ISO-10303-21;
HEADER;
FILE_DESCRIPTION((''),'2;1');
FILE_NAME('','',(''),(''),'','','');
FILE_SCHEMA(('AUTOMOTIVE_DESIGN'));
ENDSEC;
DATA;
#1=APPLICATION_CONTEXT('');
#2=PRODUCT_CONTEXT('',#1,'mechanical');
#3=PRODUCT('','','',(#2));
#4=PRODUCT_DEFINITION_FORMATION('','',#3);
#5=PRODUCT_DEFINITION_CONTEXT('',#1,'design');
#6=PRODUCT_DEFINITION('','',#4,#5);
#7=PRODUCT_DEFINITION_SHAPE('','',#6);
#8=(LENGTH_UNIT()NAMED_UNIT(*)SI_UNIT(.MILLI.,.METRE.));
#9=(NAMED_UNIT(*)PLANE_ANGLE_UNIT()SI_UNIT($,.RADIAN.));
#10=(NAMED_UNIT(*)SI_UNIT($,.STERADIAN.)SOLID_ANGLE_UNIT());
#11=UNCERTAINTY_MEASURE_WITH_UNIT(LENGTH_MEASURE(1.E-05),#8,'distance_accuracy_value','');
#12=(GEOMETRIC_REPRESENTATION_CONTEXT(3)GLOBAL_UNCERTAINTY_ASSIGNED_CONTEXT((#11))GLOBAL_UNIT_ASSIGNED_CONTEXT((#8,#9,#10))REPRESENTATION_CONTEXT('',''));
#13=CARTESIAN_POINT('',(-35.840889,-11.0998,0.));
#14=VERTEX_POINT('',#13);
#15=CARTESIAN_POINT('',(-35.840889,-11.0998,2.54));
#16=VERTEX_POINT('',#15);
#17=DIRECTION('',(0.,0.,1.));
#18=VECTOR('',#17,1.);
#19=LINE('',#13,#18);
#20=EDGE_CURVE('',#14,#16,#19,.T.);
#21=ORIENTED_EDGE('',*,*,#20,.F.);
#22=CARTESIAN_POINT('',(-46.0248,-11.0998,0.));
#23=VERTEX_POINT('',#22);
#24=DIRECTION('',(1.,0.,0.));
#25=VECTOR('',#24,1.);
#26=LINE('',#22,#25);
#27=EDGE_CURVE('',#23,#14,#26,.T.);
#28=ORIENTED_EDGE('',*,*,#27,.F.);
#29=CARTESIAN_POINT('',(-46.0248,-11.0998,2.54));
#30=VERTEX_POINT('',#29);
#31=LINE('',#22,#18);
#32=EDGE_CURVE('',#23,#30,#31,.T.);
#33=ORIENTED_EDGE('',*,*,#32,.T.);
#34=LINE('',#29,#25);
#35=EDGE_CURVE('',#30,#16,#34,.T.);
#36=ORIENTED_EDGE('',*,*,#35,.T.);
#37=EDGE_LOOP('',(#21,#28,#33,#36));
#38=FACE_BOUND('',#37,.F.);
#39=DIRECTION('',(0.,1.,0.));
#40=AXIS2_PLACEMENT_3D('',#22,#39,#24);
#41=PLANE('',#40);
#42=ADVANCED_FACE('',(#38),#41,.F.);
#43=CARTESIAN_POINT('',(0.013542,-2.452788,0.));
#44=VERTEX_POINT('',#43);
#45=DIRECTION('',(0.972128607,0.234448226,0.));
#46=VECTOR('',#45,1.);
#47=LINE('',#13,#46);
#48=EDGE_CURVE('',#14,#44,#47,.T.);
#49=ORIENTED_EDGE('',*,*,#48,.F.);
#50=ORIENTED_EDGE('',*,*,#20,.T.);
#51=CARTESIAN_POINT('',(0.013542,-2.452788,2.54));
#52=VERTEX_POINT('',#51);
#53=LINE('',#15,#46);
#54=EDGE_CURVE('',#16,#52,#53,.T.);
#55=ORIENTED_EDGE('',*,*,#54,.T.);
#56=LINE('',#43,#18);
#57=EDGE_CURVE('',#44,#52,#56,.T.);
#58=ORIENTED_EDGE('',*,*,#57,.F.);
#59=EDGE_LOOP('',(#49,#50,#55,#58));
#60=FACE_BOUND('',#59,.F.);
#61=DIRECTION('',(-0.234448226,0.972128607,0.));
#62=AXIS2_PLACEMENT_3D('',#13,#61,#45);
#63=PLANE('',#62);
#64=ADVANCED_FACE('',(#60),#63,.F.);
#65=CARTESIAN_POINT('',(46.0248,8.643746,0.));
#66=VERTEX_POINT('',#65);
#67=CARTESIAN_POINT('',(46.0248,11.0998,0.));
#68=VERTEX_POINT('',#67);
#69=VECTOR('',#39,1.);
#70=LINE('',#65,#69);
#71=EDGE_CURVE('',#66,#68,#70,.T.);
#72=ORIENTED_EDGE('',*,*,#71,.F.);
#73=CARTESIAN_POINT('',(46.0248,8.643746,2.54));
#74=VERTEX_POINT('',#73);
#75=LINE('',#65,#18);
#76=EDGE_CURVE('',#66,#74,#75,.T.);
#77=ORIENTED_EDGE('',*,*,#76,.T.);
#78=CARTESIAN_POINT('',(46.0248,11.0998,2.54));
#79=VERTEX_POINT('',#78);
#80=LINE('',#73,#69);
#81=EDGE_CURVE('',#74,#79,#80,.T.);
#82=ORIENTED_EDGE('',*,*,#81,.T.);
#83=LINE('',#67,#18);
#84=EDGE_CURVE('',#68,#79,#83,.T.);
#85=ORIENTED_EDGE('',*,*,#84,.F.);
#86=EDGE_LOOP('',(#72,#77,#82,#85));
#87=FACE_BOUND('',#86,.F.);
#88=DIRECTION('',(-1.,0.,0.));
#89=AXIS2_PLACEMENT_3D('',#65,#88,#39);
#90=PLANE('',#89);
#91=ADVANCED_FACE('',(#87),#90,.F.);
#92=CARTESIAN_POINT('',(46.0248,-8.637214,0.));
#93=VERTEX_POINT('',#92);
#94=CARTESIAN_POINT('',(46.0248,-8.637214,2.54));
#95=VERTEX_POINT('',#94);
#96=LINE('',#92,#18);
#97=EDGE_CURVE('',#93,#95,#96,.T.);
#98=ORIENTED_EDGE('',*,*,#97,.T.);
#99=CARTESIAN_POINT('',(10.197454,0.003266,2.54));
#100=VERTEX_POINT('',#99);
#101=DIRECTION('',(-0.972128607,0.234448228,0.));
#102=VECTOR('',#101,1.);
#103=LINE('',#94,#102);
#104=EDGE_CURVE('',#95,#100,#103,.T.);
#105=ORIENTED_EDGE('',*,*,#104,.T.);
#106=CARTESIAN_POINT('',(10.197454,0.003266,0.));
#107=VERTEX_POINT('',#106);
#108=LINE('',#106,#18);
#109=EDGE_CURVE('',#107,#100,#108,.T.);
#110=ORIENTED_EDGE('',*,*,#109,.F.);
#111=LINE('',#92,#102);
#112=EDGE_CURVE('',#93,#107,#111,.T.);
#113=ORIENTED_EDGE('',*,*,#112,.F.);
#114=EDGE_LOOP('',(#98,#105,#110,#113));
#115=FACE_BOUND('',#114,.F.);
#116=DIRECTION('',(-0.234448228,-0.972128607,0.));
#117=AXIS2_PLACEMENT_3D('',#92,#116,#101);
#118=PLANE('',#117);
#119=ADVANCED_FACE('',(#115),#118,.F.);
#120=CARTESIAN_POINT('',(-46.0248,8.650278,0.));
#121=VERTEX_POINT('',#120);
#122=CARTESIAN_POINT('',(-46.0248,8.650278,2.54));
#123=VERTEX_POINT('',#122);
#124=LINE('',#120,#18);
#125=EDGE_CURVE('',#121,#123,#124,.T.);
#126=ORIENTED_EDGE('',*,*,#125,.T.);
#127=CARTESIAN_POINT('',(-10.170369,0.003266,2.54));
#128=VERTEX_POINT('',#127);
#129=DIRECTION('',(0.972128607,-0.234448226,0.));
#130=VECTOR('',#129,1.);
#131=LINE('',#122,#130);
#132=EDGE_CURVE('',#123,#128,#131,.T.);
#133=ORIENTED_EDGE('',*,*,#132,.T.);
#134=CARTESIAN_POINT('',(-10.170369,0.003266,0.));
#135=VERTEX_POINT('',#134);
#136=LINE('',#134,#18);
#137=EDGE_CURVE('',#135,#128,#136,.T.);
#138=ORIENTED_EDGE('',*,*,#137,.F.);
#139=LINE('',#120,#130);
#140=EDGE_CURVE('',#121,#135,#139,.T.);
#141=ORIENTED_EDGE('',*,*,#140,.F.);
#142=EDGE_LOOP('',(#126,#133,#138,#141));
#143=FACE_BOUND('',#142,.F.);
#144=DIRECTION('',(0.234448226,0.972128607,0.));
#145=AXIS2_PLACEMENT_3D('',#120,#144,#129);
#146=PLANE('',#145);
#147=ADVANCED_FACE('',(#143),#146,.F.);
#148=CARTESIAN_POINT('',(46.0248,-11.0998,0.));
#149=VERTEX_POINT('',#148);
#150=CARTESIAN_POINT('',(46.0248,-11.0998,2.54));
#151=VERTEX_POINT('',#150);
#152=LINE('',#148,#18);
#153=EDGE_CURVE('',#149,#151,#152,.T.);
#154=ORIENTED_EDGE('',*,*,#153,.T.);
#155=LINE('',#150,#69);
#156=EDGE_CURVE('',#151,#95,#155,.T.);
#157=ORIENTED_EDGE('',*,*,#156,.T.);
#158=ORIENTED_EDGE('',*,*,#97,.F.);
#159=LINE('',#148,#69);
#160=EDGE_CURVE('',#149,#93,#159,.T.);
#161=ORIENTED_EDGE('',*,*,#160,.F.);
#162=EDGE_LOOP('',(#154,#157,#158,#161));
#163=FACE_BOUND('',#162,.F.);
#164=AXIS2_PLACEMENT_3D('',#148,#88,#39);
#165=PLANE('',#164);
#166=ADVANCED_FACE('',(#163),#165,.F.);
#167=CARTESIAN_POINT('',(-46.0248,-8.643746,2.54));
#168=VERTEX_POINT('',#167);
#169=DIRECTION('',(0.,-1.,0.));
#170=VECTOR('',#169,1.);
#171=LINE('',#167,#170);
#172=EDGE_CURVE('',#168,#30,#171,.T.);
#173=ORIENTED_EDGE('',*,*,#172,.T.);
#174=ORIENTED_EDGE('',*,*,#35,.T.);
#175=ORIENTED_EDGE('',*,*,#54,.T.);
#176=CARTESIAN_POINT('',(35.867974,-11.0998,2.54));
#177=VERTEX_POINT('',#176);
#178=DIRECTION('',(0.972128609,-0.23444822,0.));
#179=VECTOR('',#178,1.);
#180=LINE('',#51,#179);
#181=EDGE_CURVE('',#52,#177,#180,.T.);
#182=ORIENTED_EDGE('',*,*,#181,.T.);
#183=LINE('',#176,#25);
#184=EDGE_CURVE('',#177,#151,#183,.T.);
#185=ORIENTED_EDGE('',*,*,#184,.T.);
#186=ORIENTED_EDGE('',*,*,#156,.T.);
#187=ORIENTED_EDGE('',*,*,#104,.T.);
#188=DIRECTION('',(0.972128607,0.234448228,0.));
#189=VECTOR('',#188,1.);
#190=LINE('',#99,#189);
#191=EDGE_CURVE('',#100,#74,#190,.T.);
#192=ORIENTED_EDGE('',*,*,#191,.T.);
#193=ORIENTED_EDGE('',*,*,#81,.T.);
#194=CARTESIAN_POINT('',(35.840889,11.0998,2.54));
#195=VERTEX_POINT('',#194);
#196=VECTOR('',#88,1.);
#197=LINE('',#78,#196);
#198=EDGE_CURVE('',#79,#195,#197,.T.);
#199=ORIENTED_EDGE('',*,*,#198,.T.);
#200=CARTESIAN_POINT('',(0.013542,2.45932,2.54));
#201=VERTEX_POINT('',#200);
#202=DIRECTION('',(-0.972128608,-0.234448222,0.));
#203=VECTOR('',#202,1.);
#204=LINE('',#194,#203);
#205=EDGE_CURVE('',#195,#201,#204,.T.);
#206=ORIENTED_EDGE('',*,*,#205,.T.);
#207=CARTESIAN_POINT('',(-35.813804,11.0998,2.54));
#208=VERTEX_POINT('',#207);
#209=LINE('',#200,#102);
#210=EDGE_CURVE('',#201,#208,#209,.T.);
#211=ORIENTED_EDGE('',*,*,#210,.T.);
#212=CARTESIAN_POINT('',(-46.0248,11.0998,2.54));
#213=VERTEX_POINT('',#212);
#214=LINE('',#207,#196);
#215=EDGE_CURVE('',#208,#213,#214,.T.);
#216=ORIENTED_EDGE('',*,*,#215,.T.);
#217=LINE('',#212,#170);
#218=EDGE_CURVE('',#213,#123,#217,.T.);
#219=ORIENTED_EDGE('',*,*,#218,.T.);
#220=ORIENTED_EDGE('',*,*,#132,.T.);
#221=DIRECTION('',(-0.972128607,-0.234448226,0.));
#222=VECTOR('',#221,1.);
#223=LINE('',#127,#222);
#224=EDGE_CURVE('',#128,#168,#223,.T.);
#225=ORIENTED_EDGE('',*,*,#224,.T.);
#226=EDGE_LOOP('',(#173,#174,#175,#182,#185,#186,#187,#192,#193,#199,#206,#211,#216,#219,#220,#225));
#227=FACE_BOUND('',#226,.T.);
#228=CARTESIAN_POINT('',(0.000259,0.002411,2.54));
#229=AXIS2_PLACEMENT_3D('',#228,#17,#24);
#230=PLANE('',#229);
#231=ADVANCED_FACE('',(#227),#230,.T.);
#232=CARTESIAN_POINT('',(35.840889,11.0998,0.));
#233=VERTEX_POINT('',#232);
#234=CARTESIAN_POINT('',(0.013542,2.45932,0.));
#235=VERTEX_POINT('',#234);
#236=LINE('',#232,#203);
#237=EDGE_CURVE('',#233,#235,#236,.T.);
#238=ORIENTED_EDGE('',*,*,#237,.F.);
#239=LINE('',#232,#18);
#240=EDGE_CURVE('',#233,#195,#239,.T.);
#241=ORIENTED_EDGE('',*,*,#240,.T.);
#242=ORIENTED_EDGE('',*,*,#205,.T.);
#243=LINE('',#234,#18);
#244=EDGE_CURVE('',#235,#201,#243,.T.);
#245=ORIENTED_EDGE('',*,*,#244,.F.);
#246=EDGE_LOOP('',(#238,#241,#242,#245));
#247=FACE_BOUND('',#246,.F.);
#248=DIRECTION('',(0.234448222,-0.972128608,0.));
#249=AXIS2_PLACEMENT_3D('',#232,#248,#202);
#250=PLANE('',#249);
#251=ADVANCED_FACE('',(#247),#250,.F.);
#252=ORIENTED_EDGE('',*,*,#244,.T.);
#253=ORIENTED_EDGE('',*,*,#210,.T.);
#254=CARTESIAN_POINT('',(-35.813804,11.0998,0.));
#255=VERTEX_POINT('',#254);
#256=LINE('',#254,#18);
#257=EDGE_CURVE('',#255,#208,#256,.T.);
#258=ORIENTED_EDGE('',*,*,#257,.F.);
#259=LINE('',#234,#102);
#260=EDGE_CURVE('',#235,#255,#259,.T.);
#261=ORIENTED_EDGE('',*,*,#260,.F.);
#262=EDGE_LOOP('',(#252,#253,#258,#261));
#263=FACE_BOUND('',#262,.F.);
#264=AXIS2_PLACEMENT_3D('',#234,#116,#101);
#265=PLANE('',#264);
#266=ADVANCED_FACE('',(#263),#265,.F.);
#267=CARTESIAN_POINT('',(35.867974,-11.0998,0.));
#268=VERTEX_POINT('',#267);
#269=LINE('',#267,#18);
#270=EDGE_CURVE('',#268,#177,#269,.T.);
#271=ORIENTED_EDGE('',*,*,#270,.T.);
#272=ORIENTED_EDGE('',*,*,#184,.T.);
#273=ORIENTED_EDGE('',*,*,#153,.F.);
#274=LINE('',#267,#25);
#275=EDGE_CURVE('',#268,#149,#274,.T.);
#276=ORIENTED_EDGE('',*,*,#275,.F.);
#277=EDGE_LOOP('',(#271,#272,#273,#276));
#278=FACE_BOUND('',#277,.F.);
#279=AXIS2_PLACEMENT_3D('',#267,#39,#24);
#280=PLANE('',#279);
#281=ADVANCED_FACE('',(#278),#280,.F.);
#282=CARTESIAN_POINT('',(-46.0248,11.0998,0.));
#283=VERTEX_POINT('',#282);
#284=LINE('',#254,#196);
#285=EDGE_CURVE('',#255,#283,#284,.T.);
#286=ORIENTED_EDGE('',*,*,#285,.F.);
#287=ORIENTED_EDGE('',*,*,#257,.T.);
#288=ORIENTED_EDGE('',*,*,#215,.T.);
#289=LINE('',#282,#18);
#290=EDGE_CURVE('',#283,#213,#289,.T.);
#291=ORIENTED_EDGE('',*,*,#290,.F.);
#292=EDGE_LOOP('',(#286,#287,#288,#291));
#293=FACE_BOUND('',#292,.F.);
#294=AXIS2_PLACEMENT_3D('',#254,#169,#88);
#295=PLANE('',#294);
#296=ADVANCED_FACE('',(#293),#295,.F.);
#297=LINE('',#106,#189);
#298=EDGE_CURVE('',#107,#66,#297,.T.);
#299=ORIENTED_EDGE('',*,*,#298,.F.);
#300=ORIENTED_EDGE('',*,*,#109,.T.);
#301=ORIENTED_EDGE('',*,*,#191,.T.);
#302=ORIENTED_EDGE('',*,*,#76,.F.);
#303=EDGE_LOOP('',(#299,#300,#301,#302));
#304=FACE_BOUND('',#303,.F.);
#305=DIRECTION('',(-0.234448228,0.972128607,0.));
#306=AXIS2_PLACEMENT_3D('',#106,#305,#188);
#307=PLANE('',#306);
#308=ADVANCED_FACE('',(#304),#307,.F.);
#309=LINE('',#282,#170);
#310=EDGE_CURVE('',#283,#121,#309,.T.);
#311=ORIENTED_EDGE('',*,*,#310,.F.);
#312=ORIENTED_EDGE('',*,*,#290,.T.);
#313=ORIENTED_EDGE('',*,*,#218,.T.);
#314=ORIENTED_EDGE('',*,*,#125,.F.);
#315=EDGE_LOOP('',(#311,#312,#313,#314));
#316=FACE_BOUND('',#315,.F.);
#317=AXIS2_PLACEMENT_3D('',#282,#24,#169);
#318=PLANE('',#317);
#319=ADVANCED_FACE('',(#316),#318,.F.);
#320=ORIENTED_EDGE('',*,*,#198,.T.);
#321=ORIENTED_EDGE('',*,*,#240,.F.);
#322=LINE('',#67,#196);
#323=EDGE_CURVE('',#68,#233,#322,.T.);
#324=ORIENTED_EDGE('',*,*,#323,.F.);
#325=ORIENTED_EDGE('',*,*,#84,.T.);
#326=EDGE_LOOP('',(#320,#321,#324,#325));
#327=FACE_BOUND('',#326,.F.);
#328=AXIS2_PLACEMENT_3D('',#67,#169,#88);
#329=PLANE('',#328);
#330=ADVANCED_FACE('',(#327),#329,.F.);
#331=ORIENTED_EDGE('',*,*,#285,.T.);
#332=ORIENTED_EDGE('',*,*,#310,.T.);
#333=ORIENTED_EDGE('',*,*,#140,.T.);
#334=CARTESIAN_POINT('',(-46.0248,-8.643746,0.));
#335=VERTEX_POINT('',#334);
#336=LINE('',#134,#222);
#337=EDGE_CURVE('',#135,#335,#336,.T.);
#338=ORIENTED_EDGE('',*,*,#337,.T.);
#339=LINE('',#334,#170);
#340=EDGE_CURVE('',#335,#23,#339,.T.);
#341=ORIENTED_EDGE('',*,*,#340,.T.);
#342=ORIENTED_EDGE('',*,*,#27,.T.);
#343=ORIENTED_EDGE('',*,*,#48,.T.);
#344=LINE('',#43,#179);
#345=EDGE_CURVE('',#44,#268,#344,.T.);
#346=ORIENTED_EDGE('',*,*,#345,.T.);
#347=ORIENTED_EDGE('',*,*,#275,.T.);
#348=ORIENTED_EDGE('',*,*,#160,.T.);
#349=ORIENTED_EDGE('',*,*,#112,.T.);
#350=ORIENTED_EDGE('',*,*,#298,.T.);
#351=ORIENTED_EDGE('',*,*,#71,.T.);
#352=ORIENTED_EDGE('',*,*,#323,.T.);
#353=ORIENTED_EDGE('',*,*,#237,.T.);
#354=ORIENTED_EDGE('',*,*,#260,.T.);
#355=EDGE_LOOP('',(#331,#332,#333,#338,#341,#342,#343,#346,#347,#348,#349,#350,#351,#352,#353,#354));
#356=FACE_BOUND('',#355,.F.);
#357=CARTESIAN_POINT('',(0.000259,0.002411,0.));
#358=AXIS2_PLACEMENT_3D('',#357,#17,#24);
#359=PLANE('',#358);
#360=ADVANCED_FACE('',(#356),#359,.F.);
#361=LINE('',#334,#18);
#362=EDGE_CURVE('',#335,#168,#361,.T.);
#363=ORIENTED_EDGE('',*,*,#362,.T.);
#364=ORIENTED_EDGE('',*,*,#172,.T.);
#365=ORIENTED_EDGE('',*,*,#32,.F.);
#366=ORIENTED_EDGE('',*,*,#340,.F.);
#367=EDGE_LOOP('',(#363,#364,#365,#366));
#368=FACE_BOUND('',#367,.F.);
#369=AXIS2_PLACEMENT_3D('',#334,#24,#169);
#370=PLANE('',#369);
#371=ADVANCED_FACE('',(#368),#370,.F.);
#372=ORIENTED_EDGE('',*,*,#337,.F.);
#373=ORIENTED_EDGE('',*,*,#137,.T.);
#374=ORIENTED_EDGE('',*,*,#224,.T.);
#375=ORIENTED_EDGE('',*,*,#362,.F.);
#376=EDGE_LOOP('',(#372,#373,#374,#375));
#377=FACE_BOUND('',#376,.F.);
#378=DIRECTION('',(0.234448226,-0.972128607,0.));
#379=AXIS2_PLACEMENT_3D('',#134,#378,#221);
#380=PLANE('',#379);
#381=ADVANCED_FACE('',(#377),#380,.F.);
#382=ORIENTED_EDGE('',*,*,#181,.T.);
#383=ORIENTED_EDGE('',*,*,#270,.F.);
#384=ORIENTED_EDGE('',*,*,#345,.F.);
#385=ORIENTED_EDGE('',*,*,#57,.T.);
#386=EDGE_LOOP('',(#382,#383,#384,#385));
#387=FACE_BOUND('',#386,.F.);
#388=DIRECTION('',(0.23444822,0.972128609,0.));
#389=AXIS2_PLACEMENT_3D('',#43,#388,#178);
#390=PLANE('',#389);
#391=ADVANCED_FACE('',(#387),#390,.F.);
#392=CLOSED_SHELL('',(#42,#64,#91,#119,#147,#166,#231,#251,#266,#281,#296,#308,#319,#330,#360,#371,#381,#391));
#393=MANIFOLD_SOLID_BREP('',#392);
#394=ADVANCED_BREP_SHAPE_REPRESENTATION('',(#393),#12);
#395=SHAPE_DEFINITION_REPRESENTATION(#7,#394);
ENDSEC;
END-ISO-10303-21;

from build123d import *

# Parameters (mm, degrees)
F1_DEPTH = 2.54


with BuildPart() as f1:
    # F0 (on Top) → F1 (new body)
    with BuildSketch(Plane.XY):
        Polygon((-46.0248, 11.0998), (-46.0248, 8.650278), (-10.170369, 0.003266), (-46.0248, -8.643746), (-46.0248, -11.0998), (-35.840889, -11.0998), (0.013542, -2.452788), (35.867974, -11.0998), (46.0248, -11.0998), (46.0248, -8.637214), (10.197454, 0.003266), (46.0248, 8.643746), (46.0248, 11.0998), (35.840889, 11.0998), (0.013542, 2.45932), (-35.813804, 11.0998), align=None)
    extrude(amount=F1_DEPTH)


solid = f1.part
